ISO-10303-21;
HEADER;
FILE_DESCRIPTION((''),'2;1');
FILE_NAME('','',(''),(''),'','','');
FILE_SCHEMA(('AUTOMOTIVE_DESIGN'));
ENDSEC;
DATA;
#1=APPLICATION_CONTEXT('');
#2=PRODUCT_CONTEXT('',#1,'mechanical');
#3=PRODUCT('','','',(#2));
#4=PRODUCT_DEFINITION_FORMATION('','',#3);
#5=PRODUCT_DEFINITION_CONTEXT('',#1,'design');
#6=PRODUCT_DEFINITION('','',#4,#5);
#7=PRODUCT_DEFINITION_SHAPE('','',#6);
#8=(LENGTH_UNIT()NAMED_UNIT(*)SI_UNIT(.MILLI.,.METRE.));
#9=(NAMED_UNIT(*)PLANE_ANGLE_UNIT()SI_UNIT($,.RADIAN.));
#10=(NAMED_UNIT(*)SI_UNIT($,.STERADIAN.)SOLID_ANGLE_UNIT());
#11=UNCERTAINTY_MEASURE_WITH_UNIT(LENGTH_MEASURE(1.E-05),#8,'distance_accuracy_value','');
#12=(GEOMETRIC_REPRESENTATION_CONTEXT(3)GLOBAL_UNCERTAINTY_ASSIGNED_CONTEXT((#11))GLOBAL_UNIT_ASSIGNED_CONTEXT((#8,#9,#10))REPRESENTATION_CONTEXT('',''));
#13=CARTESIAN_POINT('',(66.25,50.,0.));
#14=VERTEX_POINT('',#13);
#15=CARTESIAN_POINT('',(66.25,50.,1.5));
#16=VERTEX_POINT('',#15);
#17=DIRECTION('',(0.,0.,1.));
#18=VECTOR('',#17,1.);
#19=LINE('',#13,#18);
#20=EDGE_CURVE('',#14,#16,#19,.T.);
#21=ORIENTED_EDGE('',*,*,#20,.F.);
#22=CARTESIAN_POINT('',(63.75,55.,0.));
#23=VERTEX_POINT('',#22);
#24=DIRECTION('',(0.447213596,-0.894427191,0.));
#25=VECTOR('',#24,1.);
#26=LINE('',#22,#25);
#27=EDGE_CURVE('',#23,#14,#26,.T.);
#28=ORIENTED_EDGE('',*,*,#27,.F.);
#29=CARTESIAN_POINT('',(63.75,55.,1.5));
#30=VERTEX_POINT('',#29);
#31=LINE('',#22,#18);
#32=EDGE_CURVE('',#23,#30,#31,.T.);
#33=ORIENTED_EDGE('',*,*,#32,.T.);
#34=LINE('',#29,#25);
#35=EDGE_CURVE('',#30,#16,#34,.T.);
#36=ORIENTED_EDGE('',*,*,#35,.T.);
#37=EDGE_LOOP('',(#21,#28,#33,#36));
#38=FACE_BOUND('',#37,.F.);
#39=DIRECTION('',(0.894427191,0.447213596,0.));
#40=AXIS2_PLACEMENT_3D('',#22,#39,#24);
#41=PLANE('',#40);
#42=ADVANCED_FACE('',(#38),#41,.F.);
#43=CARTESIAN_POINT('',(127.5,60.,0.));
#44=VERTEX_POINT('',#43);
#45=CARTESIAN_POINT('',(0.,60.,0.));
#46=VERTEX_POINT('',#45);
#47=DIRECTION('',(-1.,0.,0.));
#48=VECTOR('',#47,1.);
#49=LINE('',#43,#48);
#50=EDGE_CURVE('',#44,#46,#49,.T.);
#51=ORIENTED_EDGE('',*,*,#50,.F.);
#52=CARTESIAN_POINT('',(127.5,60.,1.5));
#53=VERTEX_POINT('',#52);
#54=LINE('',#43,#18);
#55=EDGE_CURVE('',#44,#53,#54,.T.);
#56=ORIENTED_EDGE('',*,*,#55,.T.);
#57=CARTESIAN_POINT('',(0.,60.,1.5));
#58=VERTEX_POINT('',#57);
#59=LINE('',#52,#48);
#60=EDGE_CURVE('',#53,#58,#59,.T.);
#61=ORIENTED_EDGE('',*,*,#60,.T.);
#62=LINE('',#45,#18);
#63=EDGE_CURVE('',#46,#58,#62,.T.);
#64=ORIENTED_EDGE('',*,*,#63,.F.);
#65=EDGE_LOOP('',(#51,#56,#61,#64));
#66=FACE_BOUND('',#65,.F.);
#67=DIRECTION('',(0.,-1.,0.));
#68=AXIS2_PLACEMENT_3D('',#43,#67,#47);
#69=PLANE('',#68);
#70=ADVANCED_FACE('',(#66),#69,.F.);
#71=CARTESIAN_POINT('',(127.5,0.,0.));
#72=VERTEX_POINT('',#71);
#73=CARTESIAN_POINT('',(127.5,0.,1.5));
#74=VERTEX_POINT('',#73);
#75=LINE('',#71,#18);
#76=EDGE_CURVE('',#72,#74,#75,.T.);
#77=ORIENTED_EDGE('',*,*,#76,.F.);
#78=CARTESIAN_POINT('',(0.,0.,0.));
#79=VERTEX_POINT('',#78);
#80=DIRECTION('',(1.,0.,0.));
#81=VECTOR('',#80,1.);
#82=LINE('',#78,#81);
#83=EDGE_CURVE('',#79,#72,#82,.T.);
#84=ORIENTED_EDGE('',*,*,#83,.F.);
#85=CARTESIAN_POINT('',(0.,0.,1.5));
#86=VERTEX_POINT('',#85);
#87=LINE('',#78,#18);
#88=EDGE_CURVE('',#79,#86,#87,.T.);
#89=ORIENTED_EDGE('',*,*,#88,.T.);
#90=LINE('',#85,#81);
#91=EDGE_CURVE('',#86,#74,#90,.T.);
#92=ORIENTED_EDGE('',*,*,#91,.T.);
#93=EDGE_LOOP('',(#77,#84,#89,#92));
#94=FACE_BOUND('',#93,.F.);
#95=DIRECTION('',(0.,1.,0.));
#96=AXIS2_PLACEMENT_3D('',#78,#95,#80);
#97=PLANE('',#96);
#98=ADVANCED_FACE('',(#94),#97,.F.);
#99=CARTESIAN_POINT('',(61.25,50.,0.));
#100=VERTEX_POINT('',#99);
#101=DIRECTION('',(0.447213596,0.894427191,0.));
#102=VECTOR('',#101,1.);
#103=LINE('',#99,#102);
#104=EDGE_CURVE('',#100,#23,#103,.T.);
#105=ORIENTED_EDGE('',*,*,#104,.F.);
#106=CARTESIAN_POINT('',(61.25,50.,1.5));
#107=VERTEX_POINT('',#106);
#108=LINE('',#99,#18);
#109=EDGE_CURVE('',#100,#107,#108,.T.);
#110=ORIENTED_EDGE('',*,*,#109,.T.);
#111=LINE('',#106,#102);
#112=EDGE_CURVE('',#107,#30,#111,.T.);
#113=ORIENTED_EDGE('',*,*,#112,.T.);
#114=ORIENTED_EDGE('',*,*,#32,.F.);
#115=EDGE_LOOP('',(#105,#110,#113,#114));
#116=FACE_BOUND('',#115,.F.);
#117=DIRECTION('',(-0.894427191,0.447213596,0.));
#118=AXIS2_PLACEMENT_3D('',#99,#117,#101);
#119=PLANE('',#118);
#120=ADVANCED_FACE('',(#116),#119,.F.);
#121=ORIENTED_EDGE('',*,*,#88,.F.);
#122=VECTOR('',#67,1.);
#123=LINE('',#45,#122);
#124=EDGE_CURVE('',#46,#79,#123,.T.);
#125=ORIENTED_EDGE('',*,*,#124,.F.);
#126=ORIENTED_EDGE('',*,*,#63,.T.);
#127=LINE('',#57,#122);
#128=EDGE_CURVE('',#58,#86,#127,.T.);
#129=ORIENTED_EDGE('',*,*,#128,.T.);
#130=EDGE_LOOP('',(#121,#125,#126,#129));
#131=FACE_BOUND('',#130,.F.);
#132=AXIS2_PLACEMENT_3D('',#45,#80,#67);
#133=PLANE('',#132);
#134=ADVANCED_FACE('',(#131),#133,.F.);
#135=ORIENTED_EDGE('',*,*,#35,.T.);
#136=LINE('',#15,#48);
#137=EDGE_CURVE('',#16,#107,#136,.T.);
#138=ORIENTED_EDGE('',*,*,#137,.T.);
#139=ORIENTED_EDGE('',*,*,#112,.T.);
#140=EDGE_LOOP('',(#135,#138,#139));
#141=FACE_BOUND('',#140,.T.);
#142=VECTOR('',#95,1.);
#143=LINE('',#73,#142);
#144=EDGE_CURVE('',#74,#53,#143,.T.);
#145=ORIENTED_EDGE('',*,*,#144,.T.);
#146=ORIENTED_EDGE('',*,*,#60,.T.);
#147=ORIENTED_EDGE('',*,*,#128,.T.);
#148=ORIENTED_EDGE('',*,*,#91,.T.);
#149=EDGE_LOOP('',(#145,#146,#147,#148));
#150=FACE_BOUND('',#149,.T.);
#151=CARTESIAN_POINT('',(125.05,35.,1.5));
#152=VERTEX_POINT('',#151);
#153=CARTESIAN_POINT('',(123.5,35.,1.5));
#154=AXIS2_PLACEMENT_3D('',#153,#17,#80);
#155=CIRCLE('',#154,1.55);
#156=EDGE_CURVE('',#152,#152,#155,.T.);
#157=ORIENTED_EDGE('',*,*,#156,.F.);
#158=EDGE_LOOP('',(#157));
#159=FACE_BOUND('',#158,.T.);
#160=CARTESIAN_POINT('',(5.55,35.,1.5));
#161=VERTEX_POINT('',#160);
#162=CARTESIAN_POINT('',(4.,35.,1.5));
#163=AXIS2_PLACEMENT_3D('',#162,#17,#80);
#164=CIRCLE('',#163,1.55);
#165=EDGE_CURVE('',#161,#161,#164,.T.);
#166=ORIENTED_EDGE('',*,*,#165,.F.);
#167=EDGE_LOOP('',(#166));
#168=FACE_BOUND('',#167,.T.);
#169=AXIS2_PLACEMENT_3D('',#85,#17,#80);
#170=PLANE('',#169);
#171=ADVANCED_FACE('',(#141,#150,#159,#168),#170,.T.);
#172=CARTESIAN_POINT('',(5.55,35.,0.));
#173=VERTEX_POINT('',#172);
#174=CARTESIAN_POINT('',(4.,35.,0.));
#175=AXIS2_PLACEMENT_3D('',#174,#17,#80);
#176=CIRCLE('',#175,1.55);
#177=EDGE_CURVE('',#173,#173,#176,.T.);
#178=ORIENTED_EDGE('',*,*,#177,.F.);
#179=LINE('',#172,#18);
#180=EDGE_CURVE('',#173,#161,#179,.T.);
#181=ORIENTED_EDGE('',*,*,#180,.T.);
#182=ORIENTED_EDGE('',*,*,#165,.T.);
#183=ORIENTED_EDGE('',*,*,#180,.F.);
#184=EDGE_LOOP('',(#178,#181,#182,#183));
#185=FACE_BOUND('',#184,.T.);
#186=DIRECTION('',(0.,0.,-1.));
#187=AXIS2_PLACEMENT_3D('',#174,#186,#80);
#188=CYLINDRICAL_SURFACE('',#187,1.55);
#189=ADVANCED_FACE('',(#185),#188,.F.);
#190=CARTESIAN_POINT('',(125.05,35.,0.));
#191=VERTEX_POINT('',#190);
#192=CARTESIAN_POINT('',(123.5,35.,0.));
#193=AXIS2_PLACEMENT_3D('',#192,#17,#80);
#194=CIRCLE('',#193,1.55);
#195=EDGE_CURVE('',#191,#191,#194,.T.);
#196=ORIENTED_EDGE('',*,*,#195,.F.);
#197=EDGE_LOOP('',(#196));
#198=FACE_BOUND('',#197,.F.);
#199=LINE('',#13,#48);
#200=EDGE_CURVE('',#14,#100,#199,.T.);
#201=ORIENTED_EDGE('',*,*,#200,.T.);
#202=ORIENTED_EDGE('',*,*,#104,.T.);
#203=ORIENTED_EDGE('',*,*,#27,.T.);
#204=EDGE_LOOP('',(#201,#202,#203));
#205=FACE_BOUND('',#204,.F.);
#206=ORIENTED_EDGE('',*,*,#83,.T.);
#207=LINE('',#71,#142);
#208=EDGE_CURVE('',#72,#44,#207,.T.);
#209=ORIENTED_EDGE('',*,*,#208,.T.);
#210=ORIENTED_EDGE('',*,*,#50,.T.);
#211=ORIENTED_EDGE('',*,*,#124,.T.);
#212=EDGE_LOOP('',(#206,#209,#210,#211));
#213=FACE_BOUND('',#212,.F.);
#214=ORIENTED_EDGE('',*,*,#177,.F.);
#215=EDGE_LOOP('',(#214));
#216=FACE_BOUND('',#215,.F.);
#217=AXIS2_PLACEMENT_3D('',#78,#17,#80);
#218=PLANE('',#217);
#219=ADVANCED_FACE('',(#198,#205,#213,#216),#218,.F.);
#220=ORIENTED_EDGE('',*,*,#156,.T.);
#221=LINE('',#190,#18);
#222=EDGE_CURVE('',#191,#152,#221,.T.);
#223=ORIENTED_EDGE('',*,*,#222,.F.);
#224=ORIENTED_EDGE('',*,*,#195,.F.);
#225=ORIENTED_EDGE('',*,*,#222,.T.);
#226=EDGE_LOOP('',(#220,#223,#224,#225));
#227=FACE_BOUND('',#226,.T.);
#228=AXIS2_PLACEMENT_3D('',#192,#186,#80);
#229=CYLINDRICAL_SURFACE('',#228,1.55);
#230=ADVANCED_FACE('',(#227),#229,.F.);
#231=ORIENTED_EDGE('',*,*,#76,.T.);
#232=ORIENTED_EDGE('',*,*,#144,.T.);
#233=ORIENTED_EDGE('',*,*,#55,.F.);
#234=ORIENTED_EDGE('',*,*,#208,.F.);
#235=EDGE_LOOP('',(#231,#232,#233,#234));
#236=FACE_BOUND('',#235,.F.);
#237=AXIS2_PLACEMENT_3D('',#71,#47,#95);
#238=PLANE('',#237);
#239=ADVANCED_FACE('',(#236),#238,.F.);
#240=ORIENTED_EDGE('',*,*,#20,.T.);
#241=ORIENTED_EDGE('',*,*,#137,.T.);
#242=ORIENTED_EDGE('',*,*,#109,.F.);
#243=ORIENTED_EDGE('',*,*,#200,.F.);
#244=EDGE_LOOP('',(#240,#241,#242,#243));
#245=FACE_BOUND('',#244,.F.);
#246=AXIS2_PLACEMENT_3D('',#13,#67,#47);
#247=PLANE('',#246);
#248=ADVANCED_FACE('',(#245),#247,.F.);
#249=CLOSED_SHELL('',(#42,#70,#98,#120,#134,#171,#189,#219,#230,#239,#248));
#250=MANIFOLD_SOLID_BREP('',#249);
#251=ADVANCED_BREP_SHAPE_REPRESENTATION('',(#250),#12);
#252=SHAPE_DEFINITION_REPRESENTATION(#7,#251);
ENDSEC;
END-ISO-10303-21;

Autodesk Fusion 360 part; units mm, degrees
sketch "Sketch1" plane through (0, 0, 0) normal (0, 0, 1) x (1, 0, 0)
  line L0 (0, 0) -> (127.5, 0)
  line L1 (127.5, 0) -> (127.5, 60)
  line L2 (127.5, 60) -> (0, 60)
  line L3 (0, 60) -> (0, 0)
  circle A0 centre (4, 35) radius 1.55
  line L4 (63.75, 0) -> (63.75, 60) construction
  circle A1 centre (123.5, 35) radius 1.55
  line L5 (66.25, 50) -> (61.25, 50)
  line L6 (61.25, 50) -> (61.25, 55)
  line L7 (61.25, 55) -> (66.25, 55)
  line L8 (66.25, 55) -> (66.25, 50)
  line L9 (66.25, 50) -> (61.25, 55) construction
  line L10 (61.25, 50) -> (66.25, 55) construction
  line L11 (61.25, 50) -> (63.75, 55)
  line L12 (63.75, 55) -> (66.25, 50)
  point P0 (63.75, 52.5)
  dimension "d1" = 127.5
  dimension "d2" = 60
  dimension "d3" = 3.1
  dimension "d4" = 4
  dimension "d5" = 25
  dimension "d6" = 5
  dimension "d7" = 5
  dimension "d8" = 5
extrude "Extrude1" add sketch "Sketch1" along normal blind 1.5 contours L0 L1 L2 L3 | L7 L8 L12 | L6 L7 L11
equation "d1 = 134 mm - 6 mm - 0.5 mm"
equation "d4 = 7 mm - 3 mm"
